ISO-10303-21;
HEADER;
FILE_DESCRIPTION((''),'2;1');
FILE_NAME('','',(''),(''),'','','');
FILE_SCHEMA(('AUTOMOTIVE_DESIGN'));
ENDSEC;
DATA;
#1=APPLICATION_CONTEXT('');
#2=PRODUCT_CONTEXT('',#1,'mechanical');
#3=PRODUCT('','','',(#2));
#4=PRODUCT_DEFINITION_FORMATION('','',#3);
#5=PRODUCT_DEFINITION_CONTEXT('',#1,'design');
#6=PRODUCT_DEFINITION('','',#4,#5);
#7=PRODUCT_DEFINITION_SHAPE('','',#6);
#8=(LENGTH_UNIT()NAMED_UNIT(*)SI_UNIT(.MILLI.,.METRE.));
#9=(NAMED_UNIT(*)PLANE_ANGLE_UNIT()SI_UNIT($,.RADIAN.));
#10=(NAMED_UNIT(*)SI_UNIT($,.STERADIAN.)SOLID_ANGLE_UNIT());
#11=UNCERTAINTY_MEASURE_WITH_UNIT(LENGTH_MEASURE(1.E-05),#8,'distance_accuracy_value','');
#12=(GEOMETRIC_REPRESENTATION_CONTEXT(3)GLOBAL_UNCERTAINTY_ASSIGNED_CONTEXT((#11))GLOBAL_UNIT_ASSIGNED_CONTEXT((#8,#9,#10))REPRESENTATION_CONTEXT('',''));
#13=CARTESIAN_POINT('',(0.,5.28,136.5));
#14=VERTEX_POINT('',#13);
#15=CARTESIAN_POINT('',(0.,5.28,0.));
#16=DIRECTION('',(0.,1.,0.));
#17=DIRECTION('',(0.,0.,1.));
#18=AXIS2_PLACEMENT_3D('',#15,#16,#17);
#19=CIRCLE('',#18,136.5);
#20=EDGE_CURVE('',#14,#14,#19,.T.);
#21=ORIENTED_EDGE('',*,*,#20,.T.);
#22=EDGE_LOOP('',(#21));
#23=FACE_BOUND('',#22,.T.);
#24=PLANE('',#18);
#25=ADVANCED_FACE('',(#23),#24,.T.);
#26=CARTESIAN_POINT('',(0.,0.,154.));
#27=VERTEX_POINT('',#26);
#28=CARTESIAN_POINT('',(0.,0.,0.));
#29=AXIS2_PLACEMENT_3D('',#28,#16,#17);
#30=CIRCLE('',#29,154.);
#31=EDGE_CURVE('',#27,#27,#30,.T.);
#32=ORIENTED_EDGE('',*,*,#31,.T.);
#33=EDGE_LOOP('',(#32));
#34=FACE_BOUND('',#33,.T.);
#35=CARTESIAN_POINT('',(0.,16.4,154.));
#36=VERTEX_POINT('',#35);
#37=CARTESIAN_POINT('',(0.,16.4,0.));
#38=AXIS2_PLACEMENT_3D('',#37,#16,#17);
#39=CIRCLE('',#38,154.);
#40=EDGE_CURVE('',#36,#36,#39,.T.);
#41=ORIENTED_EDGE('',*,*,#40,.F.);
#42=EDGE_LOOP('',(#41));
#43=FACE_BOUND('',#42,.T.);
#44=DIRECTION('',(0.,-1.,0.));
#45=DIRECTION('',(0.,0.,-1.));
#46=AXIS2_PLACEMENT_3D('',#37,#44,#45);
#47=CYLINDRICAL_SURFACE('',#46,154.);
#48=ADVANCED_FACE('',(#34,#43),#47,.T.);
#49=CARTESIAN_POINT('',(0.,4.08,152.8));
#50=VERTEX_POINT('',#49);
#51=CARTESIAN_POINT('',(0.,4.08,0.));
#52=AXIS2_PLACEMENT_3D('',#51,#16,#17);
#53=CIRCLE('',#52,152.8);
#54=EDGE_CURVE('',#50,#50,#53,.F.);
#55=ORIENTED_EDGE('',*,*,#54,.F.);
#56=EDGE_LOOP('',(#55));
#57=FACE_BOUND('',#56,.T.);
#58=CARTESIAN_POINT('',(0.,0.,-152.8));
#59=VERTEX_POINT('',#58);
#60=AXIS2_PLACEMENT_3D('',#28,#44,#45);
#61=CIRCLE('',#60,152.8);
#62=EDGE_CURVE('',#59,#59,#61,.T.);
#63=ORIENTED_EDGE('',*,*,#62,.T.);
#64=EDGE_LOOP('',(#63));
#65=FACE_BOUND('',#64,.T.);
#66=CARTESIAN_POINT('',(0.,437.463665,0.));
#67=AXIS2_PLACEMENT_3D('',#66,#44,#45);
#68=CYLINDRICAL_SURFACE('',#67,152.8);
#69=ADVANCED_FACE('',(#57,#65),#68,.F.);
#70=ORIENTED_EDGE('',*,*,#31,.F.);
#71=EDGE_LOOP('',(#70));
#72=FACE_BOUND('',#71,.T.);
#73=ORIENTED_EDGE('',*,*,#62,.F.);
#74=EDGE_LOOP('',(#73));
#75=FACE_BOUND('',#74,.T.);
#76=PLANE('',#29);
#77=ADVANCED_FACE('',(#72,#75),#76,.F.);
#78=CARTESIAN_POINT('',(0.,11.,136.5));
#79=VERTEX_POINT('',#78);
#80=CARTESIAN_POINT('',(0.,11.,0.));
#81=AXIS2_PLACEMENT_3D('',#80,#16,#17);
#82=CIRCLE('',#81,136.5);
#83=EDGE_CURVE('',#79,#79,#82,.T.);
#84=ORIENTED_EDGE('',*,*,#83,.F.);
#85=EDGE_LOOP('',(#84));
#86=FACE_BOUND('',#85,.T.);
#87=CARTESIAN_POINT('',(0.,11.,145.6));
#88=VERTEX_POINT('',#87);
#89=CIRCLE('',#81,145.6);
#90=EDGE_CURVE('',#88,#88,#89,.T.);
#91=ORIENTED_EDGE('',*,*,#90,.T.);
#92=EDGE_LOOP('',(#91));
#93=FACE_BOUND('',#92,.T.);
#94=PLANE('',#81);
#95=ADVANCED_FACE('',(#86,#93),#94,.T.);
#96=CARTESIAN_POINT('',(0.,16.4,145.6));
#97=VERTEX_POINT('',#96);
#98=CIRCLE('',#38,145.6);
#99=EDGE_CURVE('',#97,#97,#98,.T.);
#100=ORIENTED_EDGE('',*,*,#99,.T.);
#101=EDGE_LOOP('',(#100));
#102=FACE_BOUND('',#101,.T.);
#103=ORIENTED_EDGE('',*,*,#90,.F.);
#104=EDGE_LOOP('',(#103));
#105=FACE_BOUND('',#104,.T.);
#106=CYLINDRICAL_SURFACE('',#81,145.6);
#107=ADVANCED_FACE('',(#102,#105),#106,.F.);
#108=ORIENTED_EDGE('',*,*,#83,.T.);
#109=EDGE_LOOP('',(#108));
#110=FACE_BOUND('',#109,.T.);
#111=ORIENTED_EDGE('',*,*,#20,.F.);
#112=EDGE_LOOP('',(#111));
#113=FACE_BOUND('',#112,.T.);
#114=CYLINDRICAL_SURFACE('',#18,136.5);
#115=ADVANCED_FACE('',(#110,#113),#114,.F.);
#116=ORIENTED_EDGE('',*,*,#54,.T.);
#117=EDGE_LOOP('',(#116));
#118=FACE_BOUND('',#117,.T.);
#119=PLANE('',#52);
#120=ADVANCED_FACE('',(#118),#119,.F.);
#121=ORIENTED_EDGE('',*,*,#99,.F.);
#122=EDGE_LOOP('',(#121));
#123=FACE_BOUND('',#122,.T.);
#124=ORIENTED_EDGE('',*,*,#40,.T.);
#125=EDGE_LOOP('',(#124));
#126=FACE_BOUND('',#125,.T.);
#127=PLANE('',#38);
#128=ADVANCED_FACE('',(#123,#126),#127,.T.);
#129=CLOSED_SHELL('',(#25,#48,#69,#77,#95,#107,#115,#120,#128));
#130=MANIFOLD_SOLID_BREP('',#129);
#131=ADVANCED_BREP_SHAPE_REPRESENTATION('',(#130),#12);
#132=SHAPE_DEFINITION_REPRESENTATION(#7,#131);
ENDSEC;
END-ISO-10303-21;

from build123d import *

# Parameters (mm, degrees)
ESBO_O1_R                = 154
RESSALTO_EXTRUS_O1_DEPTH = 16.4
ESBO_O2_R                = 145.6
CORTE_EXTRUS_O1_DEPTH    = 5.4
ESBO_O3_R                = 136.5
CORTE_EXTRUS_O2_DEPTH    = 5.72
ESBO_O4_R                = 152.8
CORTE_EXTRUS_O5_DEPTH    = 4.08


with BuildPart() as part:
    # Esboço1 → Ressalto-extrusão1 (new body)
    with BuildSketch(Plane(origin=(0, 0, 0), x_dir=(1, 0, 0), z_dir=(0, 1, 0))):
        Circle(ESBO_O1_R)
    extrude(amount=RESSALTO_EXTRUS_O1_DEPTH)

    # Esboço2 → Corte-extrusão1 (cut)
    with BuildSketch(Plane(origin=(0, 16.4, 0), x_dir=(1, 0, 0), z_dir=(0, 1, 0))):
        Circle(ESBO_O2_R)
    extrude(amount=-CORTE_EXTRUS_O1_DEPTH, mode=Mode.SUBTRACT)

    # Esboço3 → Corte-extrusão2 (cut)
    with BuildSketch(Plane(origin=(0, 11, 0), x_dir=(1, 0, 0), z_dir=(0, 1, 0))):
        Circle(ESBO_O3_R)
    extrude(amount=-CORTE_EXTRUS_O2_DEPTH, mode=Mode.SUBTRACT)

    # Esboço4 → Corte-extrusão5 (cut)
    with BuildSketch(Plane.XZ):
        Circle(ESBO_O4_R)
    extrude(amount=-CORTE_EXTRUS_O5_DEPTH, mode=Mode.SUBTRACT)


solid = part.part
